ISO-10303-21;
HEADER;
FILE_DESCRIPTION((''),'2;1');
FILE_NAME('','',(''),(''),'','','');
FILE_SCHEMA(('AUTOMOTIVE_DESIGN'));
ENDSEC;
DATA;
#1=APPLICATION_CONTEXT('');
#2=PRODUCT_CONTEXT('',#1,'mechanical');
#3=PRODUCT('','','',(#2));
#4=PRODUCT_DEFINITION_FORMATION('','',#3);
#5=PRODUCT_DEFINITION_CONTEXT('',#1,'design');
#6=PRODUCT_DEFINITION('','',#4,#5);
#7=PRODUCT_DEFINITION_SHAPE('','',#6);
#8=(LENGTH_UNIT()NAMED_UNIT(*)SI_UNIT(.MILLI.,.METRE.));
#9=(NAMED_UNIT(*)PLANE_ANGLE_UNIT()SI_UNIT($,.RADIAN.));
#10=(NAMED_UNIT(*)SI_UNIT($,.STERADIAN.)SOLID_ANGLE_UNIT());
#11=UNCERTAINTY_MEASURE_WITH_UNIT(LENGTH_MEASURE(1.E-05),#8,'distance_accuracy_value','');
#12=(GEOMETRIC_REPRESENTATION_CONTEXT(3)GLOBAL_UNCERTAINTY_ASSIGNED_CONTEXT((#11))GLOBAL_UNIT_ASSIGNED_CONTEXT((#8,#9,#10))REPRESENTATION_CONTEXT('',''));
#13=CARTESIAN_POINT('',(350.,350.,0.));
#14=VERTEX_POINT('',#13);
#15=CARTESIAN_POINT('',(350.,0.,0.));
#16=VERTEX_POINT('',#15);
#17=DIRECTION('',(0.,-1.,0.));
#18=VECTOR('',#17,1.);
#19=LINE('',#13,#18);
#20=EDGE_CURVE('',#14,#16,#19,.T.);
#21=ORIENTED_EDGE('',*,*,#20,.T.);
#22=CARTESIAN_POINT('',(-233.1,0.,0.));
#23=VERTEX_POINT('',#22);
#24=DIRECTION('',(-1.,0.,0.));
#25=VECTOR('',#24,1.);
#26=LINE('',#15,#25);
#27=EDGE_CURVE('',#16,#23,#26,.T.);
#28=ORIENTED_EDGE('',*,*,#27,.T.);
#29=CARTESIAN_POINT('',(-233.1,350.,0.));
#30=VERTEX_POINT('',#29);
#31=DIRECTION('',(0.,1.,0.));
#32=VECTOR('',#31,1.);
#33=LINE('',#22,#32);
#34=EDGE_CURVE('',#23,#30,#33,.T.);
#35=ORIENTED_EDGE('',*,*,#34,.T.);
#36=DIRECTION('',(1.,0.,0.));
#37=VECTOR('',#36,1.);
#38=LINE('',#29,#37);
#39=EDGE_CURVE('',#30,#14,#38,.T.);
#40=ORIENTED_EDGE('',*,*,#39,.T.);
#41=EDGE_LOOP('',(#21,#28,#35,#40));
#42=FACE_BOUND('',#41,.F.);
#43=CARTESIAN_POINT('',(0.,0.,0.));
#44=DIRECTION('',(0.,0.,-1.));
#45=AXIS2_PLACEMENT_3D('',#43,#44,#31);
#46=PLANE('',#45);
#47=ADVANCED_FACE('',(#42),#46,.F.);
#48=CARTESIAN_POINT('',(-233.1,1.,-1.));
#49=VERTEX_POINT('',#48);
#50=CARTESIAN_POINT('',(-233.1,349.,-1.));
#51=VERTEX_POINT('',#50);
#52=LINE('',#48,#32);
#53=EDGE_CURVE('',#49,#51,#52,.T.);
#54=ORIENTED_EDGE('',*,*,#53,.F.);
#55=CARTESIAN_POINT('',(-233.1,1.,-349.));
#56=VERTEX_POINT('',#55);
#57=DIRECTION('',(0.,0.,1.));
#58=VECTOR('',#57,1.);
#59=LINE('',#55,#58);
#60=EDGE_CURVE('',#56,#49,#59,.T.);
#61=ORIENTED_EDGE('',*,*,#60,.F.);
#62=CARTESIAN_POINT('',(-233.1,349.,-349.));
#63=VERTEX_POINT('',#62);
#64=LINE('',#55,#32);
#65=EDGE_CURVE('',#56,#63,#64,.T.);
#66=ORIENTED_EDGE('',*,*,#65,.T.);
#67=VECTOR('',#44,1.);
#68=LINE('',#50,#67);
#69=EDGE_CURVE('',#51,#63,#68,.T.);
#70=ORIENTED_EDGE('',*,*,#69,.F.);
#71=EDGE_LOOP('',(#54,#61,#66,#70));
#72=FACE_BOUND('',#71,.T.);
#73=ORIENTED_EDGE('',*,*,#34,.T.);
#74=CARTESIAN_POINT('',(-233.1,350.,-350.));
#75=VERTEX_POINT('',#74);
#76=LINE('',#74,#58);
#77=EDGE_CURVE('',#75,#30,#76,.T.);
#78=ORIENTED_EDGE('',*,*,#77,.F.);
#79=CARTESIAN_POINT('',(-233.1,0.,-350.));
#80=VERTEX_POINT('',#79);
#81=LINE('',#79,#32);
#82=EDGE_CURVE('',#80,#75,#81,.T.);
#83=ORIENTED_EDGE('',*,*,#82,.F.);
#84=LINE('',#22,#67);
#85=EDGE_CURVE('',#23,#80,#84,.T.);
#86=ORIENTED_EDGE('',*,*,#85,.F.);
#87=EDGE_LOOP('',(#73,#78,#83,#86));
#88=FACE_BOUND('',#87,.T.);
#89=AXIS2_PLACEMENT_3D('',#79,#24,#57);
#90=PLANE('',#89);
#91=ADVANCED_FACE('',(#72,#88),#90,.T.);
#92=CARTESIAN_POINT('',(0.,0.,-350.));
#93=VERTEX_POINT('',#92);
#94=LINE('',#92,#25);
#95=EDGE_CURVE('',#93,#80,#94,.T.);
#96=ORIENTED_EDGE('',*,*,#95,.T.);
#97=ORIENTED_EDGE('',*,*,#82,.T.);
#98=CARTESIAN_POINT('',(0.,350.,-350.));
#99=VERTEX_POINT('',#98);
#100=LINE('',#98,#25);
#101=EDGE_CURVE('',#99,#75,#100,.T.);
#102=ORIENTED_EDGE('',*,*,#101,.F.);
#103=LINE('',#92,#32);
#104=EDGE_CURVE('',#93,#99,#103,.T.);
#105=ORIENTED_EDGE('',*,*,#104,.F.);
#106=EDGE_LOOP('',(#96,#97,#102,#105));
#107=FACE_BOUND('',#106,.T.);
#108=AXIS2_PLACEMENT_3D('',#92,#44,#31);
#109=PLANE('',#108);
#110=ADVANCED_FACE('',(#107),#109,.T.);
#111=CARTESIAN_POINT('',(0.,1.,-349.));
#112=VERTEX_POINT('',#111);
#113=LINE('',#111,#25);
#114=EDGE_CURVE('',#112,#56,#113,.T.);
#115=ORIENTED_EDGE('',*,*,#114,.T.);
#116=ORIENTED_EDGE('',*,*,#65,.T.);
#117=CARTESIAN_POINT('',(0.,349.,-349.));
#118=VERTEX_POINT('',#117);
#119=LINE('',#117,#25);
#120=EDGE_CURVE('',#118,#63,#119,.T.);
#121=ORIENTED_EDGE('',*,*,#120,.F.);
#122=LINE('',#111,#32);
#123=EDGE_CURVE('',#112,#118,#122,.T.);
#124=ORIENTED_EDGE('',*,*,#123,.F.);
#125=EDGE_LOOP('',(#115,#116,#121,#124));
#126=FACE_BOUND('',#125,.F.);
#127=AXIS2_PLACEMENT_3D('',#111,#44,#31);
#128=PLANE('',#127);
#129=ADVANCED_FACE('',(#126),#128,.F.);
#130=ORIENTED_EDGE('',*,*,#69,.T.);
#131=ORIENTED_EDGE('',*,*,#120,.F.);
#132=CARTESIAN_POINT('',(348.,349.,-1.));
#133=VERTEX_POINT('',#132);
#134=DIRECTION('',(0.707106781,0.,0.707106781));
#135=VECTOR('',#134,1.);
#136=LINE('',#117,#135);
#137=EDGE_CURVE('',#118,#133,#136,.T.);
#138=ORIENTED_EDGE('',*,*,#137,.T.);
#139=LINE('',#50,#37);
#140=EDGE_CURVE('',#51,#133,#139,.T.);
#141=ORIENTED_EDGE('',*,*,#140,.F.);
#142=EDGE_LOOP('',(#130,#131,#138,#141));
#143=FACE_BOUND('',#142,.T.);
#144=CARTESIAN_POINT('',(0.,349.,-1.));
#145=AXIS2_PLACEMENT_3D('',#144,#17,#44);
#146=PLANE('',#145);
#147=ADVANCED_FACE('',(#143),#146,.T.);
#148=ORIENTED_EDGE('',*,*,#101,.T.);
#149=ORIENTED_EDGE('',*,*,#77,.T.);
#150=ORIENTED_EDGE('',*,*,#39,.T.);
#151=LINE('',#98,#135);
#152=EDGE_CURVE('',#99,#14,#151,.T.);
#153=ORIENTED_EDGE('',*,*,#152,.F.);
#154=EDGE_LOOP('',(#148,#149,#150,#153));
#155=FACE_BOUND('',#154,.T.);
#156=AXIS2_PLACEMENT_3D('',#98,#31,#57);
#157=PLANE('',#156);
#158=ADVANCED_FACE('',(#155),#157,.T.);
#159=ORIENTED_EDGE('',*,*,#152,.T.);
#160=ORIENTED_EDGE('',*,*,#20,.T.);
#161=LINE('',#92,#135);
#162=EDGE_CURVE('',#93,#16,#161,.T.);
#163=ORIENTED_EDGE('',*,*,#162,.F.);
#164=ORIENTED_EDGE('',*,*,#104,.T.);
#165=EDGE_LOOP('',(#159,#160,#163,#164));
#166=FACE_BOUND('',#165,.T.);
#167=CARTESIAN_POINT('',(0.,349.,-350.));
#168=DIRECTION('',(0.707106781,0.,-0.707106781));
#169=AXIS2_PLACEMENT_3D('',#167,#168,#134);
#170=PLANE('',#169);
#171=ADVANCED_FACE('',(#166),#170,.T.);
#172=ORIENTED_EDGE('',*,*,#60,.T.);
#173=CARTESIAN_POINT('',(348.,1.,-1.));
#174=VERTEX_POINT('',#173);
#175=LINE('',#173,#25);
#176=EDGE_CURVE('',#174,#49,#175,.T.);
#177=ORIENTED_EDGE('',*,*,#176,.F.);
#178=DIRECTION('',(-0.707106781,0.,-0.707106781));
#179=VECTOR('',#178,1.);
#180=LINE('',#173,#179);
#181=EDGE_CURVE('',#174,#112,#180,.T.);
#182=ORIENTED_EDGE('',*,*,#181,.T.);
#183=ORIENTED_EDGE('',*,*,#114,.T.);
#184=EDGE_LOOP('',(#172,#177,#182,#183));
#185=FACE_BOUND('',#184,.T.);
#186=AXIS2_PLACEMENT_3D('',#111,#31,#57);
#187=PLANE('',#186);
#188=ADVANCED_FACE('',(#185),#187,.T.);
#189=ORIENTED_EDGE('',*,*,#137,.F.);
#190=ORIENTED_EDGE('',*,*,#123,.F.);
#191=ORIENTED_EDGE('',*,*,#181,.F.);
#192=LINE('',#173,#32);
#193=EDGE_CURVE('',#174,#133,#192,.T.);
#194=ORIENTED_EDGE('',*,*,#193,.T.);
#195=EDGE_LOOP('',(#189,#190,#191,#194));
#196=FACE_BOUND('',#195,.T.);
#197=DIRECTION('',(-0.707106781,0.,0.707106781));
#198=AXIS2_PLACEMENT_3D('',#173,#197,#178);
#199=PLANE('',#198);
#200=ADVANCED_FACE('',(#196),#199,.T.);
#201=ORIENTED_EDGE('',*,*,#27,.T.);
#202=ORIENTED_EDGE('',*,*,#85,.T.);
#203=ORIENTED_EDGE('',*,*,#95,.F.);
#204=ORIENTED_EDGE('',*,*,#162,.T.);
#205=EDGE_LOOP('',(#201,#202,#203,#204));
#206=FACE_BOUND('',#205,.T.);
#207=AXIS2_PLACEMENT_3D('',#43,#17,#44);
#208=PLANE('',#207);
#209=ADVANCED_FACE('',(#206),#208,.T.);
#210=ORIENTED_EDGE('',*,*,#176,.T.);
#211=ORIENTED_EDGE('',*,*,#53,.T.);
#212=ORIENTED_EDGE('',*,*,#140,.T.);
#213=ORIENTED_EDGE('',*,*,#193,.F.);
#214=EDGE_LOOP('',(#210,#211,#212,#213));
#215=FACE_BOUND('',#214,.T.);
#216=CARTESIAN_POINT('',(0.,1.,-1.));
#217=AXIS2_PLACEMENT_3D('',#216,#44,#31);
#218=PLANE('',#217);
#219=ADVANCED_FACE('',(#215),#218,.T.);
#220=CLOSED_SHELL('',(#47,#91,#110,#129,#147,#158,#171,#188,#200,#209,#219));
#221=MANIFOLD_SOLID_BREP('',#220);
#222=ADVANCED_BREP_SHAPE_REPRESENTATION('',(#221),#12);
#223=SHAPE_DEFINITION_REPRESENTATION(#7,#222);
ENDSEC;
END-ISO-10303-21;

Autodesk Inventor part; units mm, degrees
ref_plane "YZ Plane" through (0, 0, 0) normal (1, 0, 0) x (0, 1, 0)
ref_plane "XZ Plane" through (0, 0, 0) normal (0, 1, 0) x (-1, 0, 0)
ref_plane "XY Plane" through (0, 0, 0) normal (0, 0, 1) x (1, 0, 0)
sketch "Boceto1" plane through (0, 0, 0) normal (0, 1, 0) x (-1, 0, 0)
  line L0 (0, 0) -> (0, -350)
  line L1 (0, -350) -> (-350, 0)
  line L2 (-350, 0) -> (0, 0)
  dimension "d0" = 350
  dimension "d1" = 45
extrude "Extrusión1" add sketch "Boceto1" along normal blind 1
sketch "Boceto2" plane through (0, 1, 0) normal (0, 1, 0) x (1, 0, 0)
  line L0 (350, 0) -> (0, 350) projected
  line L1 (350, 0) -> (349, 0)
  line L2 (0, 0) -> (350, 0) projected
  line L3 (0, 350) -> (0, 349)
  line L4 (0, 350) -> (0, 0) projected
  line L5 (0, 0) -> (0, 1)
  line L6 (0, 0) -> (1, 0)
  line L7 (349, 0) -> (0, 349)
  line L8 (1, 0) -> (1, 348)
  line L9 (0, 1) -> (348, 1)
  dimension "d4" = 1
  dimension "d5" = 1
  dimension "d6" = 1
  dimension "d7" = 1
extrude "Extrusión2" add sketch "Boceto2" along normal blind 348 contours L1 L7 L3 L0 | L2 L8 L9 L7 | L2 L4 L9 L8
sketch "Boceto3" plane through (0, 349, 0) normal (0, 1, 0) x (1, 0, 0)
  line L0 (0, 350) -> (0, 0) projected
  line L1 (0, 0) -> (0, 350)
  line L2 (0, 0) -> (350, 0) projected
  line L3 (0, 350) -> (350, 0)
  line L4 (350, 0) -> (0, 0)
extrude "Extrusión3" add sketch "Boceto3" along normal blind 1
sketch "Boceto4" plane through (0, 0, -350) normal (-1, 0, 0) x (0, 0, 1)
  line L0 (349, 1) -> (349, 349) projected
  line L1 (349, 1) -> (349, 349)
  line L2 (1, 1) -> (1, 349) projected
  line L3 (349, 349) -> (1, 349)
  line L4 (1, 349) -> (1, 1)
  line L5 (1, 1) -> (349, 1)
  line L6 (0, 0) -> (0, 350) projected
  line L7 (0, 350) -> (350, 350)
  line L8 (350, 0) -> (350, 350) projected
  line L9 (350, 350) -> (350, 0)
  line L10 (350, 0) -> (0, 0) projected
  line L11 (350, 0) -> (0, 0)
  line L12 (0, 0) -> (0, 350)
extrude "Extrusión4" add sketch "Boceto4" along normal blind 233.1
properties part number "cajon_1_proyecto_diseno"
